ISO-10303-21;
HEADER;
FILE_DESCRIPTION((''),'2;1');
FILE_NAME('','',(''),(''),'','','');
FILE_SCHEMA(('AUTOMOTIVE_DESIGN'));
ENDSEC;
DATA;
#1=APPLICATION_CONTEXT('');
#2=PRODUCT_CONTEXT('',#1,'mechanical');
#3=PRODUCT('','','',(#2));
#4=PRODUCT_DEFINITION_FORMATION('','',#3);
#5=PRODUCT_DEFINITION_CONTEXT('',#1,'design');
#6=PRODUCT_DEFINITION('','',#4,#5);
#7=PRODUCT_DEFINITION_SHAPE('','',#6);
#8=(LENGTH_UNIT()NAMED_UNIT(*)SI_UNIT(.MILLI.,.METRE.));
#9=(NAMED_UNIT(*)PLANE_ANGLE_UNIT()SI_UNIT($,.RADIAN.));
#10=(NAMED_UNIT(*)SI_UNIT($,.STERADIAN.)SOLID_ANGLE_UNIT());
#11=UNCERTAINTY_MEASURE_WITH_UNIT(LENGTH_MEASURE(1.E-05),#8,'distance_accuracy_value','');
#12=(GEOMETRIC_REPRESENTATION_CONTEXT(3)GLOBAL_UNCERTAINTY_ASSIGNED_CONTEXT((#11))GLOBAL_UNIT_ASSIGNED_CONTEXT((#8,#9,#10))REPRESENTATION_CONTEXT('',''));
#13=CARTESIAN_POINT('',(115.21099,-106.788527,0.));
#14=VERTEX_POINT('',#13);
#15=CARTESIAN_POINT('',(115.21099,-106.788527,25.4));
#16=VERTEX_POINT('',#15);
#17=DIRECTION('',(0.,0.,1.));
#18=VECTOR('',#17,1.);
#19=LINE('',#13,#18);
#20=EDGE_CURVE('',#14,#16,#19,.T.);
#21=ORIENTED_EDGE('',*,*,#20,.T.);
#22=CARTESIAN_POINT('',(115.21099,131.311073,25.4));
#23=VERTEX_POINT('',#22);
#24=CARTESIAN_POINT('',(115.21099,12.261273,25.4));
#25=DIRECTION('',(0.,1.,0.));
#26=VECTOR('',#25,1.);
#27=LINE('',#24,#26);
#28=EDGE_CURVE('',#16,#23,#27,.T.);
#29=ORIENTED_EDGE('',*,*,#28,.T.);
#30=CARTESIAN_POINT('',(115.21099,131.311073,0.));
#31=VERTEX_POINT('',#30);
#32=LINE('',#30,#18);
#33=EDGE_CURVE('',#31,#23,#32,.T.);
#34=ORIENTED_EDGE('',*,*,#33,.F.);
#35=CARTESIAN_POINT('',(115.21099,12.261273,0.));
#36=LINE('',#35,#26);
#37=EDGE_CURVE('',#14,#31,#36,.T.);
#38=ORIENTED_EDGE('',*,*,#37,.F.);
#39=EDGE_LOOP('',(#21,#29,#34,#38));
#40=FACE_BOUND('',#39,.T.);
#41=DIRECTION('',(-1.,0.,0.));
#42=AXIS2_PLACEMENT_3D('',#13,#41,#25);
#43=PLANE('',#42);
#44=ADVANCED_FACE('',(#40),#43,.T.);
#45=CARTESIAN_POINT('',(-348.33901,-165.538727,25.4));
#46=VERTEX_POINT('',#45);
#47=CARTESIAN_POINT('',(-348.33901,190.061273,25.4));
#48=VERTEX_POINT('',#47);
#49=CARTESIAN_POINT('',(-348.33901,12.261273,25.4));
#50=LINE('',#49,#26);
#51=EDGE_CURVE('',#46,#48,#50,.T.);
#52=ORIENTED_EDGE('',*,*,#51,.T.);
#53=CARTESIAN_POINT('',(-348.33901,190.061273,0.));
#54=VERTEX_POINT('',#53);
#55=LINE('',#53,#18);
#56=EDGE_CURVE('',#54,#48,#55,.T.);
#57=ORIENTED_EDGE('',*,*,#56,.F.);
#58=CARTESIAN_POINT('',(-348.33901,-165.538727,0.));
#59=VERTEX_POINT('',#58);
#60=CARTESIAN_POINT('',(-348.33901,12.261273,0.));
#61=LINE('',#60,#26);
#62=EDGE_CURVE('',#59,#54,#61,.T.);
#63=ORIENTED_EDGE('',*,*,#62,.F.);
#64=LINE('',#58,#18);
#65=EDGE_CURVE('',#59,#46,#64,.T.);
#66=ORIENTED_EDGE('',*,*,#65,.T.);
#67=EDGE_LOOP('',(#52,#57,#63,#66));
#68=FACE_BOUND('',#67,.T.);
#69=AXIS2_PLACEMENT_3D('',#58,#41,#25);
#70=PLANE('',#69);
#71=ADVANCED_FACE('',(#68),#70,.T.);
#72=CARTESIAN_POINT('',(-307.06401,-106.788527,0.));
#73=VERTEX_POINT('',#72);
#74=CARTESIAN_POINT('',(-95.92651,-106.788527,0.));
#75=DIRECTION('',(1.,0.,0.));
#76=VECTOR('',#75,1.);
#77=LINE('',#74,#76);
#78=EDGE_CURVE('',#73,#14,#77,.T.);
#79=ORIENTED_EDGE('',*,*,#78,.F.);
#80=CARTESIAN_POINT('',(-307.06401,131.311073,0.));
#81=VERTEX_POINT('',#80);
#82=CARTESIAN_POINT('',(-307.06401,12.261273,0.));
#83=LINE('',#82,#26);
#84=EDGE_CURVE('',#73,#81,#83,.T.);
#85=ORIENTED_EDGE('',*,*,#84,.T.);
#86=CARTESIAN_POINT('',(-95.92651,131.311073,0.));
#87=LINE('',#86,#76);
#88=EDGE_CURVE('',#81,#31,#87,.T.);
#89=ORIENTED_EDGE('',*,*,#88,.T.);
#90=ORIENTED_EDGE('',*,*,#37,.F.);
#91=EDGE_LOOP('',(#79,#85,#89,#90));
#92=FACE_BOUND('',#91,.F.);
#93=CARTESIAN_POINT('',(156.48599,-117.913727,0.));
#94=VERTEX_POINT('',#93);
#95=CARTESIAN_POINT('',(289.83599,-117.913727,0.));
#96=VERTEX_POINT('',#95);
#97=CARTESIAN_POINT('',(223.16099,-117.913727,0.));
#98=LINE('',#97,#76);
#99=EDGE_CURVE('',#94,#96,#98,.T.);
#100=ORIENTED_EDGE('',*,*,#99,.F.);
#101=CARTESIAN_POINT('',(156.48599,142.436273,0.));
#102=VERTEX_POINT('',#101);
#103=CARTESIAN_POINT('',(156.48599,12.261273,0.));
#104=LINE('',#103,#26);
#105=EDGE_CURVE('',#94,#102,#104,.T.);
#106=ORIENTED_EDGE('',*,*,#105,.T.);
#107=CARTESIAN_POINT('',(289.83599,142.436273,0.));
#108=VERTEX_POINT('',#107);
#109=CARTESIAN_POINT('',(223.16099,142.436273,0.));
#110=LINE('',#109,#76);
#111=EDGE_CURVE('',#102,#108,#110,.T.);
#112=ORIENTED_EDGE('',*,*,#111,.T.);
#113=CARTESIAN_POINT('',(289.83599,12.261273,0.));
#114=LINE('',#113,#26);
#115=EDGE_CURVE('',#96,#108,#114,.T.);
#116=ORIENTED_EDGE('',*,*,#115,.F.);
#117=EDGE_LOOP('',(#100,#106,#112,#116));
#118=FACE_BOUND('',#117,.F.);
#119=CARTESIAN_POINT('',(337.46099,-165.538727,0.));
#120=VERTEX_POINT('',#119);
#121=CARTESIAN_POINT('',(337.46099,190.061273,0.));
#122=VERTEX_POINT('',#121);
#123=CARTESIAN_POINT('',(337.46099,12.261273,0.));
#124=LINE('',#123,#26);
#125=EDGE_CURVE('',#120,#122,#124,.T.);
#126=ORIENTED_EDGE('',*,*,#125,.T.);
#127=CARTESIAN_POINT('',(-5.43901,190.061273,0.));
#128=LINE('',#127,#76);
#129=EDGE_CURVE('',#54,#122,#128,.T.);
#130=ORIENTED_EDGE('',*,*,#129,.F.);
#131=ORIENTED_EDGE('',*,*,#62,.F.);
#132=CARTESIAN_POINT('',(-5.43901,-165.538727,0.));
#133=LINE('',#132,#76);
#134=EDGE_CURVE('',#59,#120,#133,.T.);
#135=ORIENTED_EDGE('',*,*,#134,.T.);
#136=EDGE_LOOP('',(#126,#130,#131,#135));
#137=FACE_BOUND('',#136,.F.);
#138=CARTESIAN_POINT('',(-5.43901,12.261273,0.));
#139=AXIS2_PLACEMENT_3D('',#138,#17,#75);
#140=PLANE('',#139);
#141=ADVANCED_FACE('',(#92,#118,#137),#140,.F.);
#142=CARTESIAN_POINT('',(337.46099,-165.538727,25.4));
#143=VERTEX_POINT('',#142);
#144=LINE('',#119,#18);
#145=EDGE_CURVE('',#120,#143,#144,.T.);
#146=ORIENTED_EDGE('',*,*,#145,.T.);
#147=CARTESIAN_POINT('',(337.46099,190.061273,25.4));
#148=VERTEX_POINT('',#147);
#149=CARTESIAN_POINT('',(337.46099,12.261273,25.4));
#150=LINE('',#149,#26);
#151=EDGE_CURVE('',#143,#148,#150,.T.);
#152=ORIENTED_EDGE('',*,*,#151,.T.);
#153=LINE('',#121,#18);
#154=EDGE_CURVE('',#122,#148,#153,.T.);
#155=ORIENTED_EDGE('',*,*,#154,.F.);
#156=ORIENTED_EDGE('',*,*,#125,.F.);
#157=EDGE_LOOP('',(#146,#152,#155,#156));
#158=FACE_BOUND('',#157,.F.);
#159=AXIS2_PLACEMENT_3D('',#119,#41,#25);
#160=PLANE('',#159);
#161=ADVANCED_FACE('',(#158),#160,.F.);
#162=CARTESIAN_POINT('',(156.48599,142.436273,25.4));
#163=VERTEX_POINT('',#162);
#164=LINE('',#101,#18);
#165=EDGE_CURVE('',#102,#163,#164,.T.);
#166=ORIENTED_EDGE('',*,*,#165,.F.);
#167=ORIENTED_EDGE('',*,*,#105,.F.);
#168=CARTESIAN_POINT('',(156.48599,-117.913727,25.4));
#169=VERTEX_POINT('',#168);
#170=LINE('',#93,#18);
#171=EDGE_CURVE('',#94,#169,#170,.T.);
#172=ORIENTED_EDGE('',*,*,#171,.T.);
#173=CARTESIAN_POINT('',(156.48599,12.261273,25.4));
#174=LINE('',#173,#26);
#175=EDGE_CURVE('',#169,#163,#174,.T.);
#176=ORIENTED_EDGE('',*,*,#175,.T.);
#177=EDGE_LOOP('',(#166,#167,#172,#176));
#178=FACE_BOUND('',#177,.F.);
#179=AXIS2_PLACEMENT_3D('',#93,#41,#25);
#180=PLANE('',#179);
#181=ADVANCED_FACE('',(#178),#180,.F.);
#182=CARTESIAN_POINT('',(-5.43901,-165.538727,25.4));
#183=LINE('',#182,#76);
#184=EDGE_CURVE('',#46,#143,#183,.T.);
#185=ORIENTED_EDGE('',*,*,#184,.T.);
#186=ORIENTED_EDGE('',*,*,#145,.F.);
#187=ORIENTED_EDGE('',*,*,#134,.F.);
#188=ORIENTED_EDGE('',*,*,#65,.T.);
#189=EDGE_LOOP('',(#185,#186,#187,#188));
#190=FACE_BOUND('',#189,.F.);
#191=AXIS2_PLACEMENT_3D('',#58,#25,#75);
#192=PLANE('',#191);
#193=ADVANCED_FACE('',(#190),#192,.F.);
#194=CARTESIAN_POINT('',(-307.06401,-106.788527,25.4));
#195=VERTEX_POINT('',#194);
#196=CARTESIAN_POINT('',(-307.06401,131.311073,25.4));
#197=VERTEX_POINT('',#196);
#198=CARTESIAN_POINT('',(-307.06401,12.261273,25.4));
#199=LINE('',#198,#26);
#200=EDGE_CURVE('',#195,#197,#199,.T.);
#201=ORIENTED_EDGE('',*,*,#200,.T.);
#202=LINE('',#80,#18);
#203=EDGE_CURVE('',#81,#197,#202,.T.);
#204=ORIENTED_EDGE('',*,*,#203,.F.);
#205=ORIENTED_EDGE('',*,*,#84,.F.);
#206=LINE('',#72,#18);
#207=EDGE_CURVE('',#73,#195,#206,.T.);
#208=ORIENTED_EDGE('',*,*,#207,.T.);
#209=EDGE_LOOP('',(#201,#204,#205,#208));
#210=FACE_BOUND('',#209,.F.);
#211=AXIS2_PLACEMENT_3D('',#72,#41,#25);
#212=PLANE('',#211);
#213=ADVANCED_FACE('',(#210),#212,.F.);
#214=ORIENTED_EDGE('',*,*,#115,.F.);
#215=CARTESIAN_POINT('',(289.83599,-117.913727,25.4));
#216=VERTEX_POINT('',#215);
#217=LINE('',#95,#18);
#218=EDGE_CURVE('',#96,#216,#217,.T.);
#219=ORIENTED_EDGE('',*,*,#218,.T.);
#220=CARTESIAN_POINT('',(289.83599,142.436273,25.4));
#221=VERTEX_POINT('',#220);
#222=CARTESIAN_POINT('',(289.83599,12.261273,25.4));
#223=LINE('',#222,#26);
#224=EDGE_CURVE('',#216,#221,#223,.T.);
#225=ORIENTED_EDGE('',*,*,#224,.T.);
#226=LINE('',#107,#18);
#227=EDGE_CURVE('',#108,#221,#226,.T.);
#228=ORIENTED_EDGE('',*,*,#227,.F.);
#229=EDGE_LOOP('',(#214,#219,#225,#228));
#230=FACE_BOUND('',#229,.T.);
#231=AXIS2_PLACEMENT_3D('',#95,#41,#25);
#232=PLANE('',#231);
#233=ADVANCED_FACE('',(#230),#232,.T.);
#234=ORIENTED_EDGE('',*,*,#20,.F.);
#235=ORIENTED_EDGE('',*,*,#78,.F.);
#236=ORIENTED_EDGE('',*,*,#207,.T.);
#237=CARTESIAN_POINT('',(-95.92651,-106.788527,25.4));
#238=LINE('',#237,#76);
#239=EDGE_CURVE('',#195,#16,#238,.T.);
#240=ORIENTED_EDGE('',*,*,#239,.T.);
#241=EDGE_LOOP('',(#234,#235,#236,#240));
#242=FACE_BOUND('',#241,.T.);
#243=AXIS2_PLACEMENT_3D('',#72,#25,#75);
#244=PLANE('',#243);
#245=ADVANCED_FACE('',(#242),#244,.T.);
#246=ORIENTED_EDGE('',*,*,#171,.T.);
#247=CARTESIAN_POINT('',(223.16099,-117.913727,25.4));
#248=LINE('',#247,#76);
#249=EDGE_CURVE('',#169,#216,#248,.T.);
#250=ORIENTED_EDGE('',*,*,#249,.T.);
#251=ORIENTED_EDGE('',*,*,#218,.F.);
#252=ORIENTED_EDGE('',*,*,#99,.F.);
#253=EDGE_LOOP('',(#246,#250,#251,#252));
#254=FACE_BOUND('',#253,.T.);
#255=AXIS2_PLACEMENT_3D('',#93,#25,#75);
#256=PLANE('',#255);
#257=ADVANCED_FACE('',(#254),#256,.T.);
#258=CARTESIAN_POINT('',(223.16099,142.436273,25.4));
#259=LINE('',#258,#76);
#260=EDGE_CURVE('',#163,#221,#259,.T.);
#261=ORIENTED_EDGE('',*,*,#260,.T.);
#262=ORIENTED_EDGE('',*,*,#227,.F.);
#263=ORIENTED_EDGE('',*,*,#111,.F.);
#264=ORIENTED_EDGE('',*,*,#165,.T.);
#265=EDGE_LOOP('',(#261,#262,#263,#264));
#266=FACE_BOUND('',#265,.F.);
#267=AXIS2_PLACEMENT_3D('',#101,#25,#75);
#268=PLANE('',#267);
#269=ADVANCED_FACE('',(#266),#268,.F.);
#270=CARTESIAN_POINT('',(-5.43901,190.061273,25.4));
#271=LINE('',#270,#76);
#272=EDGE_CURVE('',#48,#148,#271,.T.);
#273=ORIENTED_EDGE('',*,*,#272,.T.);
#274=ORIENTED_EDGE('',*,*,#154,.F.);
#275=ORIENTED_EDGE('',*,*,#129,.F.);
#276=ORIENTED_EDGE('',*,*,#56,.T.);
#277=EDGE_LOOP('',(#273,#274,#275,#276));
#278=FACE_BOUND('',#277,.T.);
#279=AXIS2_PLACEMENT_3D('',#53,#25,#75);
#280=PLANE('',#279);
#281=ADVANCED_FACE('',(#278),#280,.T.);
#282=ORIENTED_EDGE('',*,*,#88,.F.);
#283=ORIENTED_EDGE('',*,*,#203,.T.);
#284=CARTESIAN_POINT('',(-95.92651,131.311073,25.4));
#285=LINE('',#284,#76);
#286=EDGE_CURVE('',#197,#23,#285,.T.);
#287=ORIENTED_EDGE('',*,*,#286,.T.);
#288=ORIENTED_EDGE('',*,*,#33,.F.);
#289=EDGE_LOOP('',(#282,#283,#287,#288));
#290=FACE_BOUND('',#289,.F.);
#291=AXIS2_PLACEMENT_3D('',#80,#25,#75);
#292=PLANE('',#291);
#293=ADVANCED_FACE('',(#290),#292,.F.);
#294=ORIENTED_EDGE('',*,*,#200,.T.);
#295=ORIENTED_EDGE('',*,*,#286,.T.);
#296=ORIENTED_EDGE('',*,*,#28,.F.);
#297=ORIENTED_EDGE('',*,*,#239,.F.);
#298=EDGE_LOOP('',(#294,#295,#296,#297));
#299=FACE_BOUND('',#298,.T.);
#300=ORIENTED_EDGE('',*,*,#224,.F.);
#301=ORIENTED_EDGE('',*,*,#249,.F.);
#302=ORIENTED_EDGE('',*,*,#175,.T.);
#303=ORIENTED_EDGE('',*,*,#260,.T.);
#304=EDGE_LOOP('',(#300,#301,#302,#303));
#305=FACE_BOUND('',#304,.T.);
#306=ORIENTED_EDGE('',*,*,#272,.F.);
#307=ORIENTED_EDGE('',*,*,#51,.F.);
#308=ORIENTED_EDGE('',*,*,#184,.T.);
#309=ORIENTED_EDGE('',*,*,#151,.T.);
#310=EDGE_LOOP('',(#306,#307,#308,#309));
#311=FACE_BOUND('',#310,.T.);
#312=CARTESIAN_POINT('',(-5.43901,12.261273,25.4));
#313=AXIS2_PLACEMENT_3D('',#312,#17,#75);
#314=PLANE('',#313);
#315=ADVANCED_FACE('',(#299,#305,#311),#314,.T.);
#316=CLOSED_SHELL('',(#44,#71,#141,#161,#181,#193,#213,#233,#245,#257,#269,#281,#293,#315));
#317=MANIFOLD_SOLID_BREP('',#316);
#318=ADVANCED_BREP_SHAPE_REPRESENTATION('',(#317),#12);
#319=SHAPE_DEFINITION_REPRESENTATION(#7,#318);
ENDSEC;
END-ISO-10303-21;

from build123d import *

# Parameters (mm, degrees)
F0_W     = 685.8
F0_H     = 355.6
F0_W_2   = 133.35
F0_H_2   = 260.35
F0_W_3   = 422.275
F0_H_3   = 238.0996
F1_DEPTH = 25.4


with BuildPart() as f1:
    # F0 (on Top) → F1 (new body)
    with BuildSketch(Plane.XY):
        with Locations((-5.43901, 12.261273)):
            Rectangle(F0_W, F0_H)
        with Locations((223.16099, 12.261273)):
            Rectangle(F0_W_2, F0_H_2, mode=Mode.SUBTRACT)
        with Locations((-95.92651, 12.261273)):
            Rectangle(F0_W_3, F0_H_3, mode=Mode.SUBTRACT)
    extrude(amount=F1_DEPTH)


solid = f1.part
